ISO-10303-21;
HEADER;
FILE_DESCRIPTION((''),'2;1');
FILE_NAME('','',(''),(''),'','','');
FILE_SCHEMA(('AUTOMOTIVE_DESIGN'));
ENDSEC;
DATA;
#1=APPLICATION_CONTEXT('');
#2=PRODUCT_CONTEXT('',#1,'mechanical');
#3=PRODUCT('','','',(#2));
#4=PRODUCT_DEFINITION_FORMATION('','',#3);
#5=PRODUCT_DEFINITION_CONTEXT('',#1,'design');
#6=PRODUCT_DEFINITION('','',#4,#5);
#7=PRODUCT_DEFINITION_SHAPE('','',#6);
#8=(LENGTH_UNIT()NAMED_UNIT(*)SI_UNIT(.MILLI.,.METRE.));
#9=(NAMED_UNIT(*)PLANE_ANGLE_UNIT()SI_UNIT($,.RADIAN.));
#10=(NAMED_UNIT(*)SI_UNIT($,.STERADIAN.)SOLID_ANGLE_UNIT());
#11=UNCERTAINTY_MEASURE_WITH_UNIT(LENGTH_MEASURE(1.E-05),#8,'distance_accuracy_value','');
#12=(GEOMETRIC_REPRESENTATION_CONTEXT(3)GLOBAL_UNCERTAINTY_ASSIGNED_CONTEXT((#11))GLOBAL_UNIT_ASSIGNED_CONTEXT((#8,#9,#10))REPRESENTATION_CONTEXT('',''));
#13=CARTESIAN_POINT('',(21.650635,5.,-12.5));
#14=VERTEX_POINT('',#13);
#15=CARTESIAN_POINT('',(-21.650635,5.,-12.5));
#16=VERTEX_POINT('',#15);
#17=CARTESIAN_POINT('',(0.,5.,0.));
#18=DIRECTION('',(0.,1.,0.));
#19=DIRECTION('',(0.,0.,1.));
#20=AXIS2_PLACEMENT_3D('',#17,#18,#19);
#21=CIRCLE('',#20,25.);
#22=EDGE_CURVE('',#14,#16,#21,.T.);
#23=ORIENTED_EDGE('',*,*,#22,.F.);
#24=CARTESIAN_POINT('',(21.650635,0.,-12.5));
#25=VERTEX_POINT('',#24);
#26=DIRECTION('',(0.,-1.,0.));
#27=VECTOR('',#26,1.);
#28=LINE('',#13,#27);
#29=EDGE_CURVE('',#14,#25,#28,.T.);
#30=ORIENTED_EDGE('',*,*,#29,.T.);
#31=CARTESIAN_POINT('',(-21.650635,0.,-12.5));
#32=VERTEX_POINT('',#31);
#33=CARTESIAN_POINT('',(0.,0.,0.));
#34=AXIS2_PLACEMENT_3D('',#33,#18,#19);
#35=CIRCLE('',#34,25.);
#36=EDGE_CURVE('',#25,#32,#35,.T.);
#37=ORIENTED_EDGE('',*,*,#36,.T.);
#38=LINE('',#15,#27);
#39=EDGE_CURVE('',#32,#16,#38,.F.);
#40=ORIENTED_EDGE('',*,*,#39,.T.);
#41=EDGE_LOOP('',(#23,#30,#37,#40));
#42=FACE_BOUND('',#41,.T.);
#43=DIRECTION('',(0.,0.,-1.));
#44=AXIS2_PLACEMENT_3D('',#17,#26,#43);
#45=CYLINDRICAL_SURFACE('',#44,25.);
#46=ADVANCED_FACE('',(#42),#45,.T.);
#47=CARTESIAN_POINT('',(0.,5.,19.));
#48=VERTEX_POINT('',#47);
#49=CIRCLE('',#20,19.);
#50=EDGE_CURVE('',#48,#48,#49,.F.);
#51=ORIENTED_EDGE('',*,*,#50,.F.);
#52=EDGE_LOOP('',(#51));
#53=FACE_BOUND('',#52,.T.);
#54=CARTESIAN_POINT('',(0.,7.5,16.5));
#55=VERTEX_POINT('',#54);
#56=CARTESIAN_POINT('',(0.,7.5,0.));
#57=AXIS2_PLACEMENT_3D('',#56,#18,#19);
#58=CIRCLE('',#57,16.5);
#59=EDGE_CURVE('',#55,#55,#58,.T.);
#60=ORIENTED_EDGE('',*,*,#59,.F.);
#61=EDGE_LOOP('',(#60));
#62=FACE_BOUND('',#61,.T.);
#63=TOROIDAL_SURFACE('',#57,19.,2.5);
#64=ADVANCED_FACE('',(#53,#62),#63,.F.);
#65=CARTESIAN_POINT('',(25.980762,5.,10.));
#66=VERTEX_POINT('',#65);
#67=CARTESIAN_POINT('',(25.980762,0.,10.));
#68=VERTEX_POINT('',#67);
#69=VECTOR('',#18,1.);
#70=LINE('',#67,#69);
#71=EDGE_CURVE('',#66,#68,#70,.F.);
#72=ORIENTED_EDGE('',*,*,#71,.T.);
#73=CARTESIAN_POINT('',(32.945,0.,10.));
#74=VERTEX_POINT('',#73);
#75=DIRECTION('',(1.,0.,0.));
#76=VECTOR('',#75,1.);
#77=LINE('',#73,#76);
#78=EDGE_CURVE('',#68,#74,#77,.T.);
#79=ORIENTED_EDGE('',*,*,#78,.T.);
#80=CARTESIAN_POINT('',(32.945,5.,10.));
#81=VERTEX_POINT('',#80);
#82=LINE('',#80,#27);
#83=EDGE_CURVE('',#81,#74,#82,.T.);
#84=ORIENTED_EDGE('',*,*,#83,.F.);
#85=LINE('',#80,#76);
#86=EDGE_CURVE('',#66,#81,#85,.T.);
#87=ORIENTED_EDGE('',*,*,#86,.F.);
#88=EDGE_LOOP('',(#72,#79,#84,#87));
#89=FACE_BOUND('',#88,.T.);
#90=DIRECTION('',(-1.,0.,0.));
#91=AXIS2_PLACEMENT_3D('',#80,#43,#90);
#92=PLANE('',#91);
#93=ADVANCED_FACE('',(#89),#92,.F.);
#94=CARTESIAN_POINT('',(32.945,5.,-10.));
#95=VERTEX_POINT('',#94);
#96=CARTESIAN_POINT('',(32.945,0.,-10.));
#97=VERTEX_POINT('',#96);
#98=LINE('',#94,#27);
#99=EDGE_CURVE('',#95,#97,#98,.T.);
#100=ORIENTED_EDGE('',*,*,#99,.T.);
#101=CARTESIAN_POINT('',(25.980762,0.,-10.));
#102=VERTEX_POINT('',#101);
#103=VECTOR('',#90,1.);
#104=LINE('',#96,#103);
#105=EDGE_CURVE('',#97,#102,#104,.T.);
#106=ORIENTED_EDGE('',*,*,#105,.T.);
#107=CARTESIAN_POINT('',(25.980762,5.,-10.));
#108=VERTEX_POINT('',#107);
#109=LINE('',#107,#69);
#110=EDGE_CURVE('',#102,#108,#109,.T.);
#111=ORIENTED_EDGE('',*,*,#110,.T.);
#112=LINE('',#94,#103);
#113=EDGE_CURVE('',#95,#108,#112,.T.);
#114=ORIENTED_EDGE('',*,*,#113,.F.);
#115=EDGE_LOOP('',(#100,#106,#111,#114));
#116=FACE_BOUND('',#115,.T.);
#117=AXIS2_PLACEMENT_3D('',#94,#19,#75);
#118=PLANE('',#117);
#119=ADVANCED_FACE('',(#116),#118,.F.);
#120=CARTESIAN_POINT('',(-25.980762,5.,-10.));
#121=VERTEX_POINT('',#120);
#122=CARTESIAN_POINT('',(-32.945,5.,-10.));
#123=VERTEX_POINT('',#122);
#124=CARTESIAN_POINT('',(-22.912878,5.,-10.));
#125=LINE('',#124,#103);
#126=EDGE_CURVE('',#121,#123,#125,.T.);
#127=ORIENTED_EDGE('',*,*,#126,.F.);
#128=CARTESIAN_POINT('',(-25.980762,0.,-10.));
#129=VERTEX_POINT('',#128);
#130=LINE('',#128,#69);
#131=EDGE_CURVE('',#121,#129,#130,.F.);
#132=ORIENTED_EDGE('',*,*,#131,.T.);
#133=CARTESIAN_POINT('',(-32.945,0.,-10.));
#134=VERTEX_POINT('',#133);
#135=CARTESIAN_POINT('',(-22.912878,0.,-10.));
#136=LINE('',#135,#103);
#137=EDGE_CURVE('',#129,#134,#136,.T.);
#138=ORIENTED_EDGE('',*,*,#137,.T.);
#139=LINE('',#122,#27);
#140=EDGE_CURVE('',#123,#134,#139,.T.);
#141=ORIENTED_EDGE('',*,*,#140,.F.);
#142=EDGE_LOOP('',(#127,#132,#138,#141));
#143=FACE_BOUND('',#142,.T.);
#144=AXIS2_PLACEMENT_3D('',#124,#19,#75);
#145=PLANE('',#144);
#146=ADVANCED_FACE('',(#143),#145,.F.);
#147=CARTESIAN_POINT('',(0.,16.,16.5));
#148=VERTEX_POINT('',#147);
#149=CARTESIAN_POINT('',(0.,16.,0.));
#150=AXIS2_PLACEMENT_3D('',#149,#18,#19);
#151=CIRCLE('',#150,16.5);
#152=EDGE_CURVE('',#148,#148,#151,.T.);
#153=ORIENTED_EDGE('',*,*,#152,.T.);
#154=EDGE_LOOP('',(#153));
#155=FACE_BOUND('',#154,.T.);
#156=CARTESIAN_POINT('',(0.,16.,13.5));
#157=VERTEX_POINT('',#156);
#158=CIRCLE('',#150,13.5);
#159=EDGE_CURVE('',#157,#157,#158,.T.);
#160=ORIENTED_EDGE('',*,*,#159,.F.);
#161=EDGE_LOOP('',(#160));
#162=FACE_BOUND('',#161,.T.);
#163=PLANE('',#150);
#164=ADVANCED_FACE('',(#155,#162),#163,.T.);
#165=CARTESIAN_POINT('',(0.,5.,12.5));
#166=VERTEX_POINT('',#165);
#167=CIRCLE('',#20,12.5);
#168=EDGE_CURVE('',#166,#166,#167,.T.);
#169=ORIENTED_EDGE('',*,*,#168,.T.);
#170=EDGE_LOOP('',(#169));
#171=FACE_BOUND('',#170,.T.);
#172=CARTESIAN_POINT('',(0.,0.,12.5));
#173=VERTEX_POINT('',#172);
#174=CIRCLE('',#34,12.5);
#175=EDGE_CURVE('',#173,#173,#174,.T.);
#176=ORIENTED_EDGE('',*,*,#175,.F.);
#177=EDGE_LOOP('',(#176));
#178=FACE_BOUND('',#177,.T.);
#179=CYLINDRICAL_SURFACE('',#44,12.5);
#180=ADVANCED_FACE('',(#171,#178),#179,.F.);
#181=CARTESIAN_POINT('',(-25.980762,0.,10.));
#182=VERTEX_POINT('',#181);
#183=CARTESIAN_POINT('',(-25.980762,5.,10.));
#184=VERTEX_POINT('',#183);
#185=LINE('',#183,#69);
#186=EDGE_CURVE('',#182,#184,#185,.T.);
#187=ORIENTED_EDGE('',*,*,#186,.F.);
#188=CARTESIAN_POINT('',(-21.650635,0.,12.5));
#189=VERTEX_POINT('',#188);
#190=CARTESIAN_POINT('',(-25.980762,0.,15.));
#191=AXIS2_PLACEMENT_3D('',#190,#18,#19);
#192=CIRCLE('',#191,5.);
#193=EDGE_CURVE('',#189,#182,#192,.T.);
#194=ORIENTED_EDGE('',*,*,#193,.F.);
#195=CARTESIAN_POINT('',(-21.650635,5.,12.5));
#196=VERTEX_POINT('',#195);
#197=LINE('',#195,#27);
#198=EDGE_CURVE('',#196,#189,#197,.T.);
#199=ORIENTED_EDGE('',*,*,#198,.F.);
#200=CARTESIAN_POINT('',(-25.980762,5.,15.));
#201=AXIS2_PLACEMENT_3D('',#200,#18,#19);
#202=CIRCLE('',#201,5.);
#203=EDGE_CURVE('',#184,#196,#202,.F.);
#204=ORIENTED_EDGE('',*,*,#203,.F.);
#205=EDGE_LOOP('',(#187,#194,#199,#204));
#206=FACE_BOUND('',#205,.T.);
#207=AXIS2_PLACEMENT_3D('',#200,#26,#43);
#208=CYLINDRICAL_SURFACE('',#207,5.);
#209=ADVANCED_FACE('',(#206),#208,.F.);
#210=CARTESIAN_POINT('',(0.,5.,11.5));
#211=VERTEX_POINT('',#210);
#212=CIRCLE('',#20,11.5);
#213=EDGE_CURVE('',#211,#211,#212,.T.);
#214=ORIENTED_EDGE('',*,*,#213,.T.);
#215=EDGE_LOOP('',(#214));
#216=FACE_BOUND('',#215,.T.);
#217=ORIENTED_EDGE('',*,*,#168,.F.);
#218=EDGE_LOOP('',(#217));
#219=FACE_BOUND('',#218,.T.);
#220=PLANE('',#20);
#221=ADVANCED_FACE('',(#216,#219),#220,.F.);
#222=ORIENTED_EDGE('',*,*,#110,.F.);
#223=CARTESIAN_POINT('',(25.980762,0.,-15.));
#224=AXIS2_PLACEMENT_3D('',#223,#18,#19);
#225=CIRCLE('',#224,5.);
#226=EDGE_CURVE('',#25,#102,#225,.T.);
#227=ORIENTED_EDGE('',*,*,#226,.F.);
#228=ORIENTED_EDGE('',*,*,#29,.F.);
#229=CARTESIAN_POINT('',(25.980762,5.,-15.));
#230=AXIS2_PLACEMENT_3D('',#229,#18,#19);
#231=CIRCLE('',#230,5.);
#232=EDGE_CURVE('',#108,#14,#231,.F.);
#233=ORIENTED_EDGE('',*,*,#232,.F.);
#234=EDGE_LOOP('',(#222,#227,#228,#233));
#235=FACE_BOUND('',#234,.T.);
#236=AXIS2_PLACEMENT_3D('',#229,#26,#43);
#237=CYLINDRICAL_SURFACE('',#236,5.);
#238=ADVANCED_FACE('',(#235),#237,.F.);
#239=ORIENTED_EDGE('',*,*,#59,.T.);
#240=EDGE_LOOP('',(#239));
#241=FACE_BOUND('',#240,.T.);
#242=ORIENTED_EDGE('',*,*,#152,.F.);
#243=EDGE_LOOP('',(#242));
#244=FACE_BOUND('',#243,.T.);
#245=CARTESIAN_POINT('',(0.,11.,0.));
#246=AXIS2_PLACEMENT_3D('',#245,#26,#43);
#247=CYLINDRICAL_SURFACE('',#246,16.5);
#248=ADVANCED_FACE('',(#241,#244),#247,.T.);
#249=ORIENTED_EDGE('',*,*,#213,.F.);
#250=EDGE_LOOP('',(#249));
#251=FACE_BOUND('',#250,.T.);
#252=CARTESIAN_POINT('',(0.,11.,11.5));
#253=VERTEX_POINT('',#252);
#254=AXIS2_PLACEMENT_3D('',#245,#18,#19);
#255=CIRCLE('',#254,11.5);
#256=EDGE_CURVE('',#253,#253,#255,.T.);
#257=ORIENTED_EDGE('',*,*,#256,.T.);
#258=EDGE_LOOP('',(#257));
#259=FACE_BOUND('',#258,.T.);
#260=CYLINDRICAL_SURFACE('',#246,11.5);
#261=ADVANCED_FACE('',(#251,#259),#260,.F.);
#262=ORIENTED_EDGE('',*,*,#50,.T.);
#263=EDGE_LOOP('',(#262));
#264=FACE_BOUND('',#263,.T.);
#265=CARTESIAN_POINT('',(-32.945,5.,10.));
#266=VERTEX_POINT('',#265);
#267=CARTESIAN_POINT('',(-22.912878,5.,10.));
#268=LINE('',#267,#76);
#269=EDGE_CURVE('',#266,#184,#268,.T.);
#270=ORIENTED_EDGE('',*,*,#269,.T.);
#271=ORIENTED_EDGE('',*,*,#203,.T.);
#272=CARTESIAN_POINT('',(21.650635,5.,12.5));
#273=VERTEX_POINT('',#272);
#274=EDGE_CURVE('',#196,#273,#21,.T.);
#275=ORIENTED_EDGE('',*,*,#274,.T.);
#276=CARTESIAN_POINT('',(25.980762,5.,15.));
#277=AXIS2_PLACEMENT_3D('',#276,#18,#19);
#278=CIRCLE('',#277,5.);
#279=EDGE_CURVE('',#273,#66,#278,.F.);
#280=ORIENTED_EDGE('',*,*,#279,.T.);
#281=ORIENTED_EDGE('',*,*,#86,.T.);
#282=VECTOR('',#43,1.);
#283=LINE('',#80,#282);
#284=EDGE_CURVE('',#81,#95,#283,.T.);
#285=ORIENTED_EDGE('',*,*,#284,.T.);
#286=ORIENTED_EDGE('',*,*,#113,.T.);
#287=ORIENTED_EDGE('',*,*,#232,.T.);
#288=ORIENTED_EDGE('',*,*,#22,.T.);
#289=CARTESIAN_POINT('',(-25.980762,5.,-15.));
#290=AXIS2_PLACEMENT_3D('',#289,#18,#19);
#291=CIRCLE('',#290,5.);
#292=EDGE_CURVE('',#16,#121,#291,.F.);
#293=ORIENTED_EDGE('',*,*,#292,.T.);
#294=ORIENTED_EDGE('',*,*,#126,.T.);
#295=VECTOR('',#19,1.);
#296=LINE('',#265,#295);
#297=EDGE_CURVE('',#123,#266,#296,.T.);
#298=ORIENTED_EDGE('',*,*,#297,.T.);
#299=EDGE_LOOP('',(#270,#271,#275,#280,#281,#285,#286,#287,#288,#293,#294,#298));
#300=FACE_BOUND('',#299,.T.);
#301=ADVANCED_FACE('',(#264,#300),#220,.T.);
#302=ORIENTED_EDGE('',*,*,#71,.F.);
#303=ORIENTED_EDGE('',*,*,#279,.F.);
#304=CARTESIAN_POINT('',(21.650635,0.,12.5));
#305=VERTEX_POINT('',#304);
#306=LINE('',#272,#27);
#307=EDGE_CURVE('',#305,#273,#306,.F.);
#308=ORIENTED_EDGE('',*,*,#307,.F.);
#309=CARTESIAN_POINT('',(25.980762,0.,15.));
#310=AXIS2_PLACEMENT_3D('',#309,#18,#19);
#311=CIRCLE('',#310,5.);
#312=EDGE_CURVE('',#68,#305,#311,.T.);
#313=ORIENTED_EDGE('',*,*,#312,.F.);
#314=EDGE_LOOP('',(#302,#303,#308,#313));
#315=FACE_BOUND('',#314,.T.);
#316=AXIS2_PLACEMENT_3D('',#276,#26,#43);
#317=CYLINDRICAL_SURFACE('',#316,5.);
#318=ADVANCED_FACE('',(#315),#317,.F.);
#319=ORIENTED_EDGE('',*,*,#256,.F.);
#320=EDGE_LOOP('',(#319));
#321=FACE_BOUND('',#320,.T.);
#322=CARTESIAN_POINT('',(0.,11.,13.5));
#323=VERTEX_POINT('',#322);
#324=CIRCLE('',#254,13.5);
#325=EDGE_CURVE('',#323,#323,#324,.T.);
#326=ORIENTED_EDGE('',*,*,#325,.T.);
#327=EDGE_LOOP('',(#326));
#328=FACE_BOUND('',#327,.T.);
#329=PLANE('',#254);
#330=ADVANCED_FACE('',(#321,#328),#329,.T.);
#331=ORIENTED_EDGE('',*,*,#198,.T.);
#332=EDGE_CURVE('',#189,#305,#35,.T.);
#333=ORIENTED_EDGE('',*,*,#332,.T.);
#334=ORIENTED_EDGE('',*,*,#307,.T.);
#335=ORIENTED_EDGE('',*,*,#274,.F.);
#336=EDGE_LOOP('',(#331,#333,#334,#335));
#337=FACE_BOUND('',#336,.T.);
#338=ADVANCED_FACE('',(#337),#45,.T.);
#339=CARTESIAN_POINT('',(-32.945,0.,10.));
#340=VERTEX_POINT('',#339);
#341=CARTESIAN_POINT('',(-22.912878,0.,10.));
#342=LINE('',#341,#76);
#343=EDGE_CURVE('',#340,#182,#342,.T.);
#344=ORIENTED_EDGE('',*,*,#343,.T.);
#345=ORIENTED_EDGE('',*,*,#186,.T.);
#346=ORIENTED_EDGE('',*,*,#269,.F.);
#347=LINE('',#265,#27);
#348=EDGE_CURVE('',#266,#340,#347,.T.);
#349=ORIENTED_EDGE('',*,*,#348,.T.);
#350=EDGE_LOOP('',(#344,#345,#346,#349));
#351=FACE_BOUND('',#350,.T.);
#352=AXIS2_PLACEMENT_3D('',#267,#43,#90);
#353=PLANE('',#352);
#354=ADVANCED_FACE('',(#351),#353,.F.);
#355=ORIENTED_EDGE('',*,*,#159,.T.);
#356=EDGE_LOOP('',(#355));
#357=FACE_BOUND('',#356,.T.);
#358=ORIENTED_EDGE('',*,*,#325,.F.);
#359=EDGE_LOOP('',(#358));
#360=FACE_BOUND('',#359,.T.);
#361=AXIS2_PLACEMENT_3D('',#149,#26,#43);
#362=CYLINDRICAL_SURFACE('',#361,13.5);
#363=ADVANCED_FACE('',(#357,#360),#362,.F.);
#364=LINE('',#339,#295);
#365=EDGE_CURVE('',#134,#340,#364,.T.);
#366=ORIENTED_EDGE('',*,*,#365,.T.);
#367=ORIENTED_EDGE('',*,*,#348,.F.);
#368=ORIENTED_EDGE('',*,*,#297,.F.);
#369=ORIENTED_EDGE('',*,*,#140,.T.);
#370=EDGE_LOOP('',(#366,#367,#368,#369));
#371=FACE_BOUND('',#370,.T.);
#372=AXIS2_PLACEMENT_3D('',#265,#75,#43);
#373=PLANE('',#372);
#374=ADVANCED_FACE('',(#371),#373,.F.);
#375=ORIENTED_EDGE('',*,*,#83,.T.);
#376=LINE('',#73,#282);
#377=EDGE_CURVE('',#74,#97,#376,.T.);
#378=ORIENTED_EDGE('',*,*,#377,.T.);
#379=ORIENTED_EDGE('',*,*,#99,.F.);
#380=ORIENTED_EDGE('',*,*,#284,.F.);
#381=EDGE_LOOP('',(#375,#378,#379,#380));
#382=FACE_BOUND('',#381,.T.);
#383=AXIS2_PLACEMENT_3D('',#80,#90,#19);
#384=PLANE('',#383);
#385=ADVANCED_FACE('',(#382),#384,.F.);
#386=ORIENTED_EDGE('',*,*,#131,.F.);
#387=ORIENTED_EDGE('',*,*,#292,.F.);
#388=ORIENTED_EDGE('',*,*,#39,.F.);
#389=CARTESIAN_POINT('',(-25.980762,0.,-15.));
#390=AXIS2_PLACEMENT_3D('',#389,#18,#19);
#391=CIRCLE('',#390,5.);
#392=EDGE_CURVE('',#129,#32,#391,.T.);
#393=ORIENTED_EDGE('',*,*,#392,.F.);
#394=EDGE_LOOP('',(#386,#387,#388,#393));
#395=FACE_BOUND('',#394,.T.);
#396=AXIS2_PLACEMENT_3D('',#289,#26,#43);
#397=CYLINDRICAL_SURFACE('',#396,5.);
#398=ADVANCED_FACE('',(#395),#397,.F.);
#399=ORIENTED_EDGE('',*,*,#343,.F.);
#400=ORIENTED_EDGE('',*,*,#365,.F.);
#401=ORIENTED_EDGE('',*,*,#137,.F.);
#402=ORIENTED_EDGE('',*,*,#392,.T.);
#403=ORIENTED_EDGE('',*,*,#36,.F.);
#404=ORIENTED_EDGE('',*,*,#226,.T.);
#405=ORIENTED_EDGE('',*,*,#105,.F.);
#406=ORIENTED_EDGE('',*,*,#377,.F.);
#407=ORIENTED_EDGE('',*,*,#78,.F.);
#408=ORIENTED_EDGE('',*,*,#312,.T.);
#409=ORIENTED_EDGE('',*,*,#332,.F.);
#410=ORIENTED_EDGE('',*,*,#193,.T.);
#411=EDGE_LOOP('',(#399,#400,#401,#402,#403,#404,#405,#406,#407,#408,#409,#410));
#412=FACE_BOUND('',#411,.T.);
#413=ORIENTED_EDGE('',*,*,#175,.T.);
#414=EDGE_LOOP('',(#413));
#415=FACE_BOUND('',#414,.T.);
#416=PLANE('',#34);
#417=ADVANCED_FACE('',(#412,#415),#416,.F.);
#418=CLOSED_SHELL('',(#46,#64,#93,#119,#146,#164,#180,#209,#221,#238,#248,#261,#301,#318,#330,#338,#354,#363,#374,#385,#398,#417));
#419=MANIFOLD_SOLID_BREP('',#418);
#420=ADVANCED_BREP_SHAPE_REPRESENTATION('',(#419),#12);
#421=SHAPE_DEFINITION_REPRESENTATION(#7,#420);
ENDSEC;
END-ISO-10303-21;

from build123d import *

# Parameters (mm, degrees)
SKETCH1_R           = 12.5
BOSS_EXTRUDE1_DEPTH = 5
SKETCH2_R           = 16.5
SKETCH2_R_2         = 11.5
BOSS_EXTRUDE2_DEPTH = 6
SKETCH3_R           = 16.5
SKETCH3_R_2         = 13.5
BOSS_EXTRUDE3_DEPTH = 5
FILLET1_R           = 2.5
FILLET2_R           = 5


with BuildPart() as part:
    # Sketch1 → Boss-Extrude1 (new body)
    with BuildSketch(Plane(origin=(0, 0, 0), x_dir=(1, 0, 0), z_dir=(0, 1, 0))):
        with BuildLine():
            Line((-22.912878475, 10), (-32.945, 10))
            Line((-32.945, 10), (-32.945, -10))
            Line((-32.945, -10), (-22.912878475, -10))
            ThreePointArc((-22.912878475, -10), (0, -25), (22.912878475, -10))
            Line((22.912878475, -10), (32.945, -10))
            Line((32.945, -10), (32.945, 10))
            Line((32.945, 10), (22.912878475, 10))
            ThreePointArc((22.912878475, 10), (0, 25), (-22.912878475, 10))
        make_face()
        with Locations(Location((0, 0, 0), (0, 0, 270))):
            Circle(SKETCH1_R, mode=Mode.SUBTRACT)
    extrude(amount=BOSS_EXTRUDE1_DEPTH)

    # Sketch2 → Boss-Extrude2 (add)
    with BuildSketch(Plane(origin=(0, 5, 0), x_dir=(1, 0, 0), z_dir=(0, 1, 0))):
        with Locations(Location((0, 0, 0), (0, 0, 270))):
            Circle(SKETCH2_R)
        with Locations(Location((0, 0, 0), (0, 0, 270))):
            Circle(SKETCH2_R_2, mode=Mode.SUBTRACT)
    extrude(amount=BOSS_EXTRUDE2_DEPTH)

    # Sketch3 → Boss-Extrude3 (add)
    with BuildSketch(Plane(origin=(0, 11, 0), x_dir=(1, 0, 0), z_dir=(0, 1, 0))):
        with Locations(Location((0, 0, 0), (0, 0, 270))):
            Circle(SKETCH3_R)
        with Locations(Location((0, 0, 0), (0, 0, 270))):
            Circle(SKETCH3_R_2, mode=Mode.SUBTRACT)
    extrude(amount=BOSS_EXTRUDE3_DEPTH)

    # Fillet1
    fillet1_edges = [part.edges().sort_by_distance(p)[0] for p in [
        (0, 5, -16.5),
    ]]
    fillet(fillet1_edges, radius=FILLET1_R)

    # Fillet2
    fillet2_edges = [part.edges().sort_by_distance(p)[0] for p in [
        (-22.912878475, 2.5, -10),
        (22.912878475, 2.5, -10),
        (22.912878475, 2.5, 10),
        (-22.912878475, 2.5, 10),
    ]]
    fillet(fillet2_edges, radius=FILLET2_R)


solid = part.part
